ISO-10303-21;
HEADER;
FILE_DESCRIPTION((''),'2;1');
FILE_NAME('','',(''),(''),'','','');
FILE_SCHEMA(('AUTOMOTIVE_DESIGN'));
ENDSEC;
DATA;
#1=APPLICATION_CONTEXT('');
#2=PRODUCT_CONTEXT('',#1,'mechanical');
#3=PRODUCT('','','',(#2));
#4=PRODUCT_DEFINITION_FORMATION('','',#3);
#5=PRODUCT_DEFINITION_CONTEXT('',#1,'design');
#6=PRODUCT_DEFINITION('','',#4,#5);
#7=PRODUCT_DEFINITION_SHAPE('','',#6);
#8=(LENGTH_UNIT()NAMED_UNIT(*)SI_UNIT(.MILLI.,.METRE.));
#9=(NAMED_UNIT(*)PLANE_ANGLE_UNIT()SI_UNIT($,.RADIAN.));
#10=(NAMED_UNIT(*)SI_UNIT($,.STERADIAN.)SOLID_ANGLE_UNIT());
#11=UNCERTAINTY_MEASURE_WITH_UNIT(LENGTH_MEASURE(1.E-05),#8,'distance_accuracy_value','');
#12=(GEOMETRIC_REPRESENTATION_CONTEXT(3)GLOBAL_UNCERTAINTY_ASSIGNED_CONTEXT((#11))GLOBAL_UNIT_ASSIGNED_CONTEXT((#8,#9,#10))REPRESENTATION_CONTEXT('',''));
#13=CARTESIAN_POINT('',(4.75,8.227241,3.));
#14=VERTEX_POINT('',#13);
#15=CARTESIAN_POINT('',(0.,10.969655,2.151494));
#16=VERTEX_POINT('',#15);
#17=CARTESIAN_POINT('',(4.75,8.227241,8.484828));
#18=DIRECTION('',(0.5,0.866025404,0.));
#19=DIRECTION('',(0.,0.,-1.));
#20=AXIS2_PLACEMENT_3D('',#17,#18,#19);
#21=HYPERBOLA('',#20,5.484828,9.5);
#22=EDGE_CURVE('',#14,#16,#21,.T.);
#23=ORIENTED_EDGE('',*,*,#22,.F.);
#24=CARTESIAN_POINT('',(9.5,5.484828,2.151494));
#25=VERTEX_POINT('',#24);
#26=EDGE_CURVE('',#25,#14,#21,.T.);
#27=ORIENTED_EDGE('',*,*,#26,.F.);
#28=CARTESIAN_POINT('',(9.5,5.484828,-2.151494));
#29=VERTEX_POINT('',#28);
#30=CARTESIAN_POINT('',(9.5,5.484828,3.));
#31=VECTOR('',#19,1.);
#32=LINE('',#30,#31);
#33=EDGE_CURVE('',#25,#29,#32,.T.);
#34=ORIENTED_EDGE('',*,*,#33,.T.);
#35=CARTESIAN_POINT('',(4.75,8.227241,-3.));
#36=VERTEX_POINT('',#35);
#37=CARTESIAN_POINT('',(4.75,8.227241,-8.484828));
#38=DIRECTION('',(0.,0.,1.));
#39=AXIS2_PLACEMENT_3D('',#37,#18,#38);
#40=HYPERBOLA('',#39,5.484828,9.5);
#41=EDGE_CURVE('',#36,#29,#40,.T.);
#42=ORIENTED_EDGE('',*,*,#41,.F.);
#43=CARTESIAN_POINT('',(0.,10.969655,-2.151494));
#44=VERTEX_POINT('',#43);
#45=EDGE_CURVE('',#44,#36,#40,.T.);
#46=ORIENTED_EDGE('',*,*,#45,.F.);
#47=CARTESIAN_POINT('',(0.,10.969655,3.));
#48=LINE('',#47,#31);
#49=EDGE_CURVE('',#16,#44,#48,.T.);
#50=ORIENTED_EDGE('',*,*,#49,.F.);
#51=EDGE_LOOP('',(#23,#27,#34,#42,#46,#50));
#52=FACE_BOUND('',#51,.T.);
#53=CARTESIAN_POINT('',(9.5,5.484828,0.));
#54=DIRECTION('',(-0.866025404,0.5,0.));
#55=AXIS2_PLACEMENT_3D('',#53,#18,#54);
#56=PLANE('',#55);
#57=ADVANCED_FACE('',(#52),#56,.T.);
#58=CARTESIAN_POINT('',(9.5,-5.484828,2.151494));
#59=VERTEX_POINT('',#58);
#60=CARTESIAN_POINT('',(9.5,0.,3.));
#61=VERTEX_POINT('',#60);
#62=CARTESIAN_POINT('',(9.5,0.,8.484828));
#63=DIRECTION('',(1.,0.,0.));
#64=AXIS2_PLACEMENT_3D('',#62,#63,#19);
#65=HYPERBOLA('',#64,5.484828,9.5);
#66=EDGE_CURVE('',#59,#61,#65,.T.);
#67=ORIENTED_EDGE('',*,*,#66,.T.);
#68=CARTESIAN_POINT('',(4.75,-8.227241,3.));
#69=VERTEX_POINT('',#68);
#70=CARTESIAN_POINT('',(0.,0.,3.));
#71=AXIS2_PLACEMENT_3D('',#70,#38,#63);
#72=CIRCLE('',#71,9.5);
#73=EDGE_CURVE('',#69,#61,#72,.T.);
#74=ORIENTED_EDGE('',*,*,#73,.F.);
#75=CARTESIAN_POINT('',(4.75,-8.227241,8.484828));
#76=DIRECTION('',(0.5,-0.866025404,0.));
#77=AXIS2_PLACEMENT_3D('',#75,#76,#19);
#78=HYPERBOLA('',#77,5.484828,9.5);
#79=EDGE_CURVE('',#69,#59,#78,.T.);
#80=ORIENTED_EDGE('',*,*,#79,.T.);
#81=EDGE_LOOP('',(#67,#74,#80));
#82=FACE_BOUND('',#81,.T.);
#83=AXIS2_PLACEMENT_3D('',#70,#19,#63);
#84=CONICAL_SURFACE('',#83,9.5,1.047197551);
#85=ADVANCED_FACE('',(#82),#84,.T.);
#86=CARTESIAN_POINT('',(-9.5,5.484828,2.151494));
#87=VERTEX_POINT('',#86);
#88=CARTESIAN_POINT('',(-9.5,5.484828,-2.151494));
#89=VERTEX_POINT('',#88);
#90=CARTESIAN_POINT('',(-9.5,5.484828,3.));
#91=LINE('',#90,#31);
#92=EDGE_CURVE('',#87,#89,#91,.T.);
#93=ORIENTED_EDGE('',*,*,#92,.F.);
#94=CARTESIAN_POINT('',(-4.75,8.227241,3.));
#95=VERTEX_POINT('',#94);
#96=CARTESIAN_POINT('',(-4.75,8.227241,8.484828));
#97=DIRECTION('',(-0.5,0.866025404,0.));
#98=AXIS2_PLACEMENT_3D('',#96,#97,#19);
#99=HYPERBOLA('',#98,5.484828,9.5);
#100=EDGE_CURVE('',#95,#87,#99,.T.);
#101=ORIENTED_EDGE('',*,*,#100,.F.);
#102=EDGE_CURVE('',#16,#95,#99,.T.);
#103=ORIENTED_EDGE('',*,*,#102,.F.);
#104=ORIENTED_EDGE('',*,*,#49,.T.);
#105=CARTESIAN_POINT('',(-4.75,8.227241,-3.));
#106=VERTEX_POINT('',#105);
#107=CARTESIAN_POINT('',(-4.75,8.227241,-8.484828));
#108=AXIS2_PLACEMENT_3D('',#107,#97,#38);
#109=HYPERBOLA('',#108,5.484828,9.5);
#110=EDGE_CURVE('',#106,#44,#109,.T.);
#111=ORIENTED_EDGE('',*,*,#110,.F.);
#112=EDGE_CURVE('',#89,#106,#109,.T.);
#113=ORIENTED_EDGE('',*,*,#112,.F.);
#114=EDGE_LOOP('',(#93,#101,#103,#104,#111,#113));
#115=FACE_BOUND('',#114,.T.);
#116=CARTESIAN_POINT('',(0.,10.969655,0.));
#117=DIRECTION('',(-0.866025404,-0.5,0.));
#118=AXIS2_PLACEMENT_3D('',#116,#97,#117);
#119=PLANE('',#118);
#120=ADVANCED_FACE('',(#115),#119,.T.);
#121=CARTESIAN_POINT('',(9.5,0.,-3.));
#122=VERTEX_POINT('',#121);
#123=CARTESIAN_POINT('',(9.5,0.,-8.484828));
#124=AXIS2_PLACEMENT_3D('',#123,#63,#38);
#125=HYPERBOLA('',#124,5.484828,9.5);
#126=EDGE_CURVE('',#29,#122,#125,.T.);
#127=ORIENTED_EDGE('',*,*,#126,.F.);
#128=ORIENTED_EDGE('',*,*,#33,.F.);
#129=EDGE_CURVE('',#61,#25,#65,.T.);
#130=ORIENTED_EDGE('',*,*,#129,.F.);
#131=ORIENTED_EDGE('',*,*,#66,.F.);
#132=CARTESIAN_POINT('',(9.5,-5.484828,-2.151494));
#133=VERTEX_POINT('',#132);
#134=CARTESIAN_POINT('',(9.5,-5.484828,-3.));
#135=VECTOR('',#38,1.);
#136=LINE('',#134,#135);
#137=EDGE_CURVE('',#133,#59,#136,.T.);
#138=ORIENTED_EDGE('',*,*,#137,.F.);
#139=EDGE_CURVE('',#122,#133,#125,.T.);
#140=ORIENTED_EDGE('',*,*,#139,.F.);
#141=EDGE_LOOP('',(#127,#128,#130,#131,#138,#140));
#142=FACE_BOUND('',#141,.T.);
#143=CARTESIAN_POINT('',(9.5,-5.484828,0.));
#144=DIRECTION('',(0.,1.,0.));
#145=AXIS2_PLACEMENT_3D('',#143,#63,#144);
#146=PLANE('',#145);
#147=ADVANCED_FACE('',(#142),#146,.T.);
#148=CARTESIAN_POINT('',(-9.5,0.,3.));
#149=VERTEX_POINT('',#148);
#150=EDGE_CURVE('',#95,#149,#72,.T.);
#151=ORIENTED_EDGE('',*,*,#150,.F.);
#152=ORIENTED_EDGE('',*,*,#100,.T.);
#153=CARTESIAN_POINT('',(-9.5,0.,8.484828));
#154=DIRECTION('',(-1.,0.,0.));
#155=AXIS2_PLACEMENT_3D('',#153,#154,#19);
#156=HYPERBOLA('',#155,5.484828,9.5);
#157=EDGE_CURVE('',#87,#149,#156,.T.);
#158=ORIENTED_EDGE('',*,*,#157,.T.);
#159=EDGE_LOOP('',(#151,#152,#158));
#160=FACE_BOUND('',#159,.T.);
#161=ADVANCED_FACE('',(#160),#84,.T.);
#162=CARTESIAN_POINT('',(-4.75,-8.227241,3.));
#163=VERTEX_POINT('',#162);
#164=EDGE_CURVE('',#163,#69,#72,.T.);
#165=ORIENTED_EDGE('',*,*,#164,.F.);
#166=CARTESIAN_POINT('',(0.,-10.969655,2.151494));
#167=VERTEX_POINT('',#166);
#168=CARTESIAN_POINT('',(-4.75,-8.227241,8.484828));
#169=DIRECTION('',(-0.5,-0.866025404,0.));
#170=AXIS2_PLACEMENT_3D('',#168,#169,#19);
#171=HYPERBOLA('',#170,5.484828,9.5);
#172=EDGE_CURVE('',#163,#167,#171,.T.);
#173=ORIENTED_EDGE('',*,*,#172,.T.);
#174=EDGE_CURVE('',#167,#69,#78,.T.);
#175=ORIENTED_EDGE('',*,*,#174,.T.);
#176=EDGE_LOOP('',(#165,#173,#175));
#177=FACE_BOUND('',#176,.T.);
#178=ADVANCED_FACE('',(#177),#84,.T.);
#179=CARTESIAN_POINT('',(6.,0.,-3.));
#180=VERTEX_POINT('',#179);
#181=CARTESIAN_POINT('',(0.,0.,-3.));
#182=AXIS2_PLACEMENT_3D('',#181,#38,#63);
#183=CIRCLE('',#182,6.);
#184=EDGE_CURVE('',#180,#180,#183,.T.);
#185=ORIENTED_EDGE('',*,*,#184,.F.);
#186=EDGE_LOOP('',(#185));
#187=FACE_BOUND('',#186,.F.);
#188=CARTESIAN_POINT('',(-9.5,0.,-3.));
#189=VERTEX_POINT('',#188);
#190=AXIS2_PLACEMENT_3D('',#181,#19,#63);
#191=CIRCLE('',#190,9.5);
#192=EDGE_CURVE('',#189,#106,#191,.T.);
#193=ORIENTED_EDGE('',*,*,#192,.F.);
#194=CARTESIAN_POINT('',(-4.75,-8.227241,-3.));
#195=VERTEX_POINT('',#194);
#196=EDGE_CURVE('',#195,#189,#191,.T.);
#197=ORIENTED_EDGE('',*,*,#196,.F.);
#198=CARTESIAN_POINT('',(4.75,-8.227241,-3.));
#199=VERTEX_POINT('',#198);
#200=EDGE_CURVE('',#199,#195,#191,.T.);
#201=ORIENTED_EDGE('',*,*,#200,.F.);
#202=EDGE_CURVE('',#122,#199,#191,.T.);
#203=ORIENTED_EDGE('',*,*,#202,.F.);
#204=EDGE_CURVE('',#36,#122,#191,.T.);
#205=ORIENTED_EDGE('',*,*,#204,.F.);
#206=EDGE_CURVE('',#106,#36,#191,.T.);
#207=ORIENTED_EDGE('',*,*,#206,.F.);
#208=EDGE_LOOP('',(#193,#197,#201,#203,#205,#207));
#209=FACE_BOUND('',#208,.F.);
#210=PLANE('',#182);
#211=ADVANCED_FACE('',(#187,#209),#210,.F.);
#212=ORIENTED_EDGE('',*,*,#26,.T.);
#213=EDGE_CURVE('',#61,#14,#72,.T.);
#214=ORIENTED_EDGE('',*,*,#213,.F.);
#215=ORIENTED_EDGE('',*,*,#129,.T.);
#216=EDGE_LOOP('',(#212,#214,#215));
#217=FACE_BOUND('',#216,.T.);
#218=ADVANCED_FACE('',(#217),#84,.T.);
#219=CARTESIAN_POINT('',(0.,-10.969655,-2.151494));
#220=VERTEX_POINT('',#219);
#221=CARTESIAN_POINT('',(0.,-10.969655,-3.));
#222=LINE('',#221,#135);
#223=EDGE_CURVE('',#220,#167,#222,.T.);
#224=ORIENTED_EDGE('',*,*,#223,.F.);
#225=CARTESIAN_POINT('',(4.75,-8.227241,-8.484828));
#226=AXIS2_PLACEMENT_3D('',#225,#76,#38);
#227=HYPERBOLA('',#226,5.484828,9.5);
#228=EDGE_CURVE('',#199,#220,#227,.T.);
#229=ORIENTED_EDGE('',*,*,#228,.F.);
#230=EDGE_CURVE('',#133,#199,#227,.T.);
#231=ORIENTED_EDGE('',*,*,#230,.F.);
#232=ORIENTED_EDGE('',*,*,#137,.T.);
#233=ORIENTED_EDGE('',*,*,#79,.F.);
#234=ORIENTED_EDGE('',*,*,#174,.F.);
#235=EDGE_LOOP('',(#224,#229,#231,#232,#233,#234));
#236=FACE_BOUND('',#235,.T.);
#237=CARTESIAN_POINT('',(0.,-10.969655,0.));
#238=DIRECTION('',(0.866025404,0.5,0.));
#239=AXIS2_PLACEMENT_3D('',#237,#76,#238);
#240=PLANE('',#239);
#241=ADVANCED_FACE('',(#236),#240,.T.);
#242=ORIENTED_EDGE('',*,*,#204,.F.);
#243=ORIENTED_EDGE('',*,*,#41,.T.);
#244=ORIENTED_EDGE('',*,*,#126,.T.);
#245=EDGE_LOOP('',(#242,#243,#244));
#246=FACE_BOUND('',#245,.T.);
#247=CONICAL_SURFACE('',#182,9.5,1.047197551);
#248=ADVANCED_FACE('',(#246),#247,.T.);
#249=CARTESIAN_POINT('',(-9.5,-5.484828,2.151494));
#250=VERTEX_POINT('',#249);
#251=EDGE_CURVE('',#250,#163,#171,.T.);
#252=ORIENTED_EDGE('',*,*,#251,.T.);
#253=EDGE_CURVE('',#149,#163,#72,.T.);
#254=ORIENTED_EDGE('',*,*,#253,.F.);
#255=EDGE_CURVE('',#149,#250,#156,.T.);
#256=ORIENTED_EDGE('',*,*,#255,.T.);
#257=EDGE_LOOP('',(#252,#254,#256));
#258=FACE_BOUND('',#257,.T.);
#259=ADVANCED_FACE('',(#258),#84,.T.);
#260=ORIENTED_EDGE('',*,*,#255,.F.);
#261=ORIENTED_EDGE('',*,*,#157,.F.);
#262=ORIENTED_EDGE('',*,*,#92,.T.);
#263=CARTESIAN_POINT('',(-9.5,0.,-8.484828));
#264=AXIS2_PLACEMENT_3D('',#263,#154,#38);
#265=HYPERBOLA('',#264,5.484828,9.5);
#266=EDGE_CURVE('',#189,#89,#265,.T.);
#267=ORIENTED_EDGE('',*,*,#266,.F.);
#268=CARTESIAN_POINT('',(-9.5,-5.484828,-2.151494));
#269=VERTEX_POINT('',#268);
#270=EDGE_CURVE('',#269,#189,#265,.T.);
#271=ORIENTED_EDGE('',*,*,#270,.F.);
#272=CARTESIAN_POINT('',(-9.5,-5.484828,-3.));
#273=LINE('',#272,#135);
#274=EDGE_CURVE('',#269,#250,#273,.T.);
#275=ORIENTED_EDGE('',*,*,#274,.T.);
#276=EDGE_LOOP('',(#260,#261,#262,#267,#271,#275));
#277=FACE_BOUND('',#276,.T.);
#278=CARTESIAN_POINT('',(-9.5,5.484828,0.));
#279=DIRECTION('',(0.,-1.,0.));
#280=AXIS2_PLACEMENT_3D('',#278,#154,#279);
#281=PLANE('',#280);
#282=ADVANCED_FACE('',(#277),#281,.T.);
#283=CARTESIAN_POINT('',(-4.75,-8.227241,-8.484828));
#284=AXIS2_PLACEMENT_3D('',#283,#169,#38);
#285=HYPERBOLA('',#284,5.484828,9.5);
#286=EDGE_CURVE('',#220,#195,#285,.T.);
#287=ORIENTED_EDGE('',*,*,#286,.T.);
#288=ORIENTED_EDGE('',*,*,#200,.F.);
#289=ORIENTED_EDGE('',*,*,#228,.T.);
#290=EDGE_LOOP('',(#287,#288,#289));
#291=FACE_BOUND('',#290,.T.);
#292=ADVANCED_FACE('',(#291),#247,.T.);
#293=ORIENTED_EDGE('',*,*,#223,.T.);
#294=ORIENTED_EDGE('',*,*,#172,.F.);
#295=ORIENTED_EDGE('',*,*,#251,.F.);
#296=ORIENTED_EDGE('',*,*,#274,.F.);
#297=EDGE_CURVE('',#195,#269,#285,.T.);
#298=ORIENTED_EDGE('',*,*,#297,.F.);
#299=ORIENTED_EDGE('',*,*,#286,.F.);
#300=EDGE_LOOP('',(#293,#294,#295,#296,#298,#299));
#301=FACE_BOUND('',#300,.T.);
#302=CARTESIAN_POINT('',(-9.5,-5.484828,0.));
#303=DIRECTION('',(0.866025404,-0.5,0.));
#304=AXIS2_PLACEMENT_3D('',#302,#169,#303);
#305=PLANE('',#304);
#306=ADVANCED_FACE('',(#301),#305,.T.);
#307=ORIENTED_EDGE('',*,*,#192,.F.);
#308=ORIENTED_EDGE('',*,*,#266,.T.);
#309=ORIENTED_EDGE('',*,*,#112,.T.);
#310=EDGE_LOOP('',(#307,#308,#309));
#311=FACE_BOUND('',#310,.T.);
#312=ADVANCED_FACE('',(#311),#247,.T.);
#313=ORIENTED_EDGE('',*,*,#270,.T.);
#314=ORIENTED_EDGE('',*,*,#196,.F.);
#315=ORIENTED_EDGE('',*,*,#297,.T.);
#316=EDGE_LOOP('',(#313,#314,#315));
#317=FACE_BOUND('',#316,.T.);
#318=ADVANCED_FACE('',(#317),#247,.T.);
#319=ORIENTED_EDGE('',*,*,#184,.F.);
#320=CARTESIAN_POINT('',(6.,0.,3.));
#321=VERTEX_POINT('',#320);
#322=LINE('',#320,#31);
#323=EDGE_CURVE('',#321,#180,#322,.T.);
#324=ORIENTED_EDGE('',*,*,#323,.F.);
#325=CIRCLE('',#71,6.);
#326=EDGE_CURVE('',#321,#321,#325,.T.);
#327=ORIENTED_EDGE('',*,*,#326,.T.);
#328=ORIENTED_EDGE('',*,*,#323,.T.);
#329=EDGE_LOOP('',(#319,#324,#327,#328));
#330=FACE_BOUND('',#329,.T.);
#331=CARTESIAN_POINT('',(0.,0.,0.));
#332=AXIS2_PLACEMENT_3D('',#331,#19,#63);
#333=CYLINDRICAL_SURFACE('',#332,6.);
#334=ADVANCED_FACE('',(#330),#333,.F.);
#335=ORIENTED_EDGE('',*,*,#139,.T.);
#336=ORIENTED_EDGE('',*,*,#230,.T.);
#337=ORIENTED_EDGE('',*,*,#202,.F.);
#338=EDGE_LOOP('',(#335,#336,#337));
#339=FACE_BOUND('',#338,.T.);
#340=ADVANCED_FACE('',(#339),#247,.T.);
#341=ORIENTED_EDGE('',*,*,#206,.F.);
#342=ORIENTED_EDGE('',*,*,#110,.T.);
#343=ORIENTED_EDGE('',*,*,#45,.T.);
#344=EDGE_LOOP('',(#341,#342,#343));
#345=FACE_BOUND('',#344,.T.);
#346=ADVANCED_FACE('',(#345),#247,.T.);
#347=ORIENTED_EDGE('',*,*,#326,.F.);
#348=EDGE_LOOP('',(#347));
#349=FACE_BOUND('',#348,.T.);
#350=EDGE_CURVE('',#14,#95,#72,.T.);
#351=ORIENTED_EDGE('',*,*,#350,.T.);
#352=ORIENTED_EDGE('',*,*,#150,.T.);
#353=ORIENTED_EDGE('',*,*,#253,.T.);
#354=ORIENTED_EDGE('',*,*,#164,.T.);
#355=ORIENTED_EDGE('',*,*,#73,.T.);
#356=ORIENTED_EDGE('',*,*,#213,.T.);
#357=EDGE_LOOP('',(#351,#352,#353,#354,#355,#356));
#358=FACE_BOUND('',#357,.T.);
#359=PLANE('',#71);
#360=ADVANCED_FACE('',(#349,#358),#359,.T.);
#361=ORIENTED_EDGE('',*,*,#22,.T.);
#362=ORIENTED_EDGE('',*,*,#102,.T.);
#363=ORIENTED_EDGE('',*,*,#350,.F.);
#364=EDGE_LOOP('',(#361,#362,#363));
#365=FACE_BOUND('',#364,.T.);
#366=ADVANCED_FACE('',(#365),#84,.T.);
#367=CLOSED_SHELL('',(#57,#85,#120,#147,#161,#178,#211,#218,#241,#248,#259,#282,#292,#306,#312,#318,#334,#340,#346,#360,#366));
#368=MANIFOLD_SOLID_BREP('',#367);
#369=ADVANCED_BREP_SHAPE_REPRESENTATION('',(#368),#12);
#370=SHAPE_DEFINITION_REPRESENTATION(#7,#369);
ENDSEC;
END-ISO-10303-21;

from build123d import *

# Parameters (mm, degrees)
SZKIC1_R                    = 6
DODANIE_WYCI_GNI_CIE1_DEPTH = 3
SZKIC2_OUTSIDE_W            = 47.712
SZKIC2_OUTSIDE_H            = 50.652
SZKIC2_OUTSIDE_R            = 9.5
WYTNIJ_WYCI_GNI_CIE2_DEPTH  = 6
WYTNIJ_WYCI_GNI_CIE2_DRAFT  = -60
LUSTRO1_COPY_1_SKETCH_W     = 47.712
LUSTRO1_COPY_1_SKETCH_H     = 50.652
LUSTRO1_COPY_1_SKETCH_R     = 9.5
LUSTRO1_COPY_1_DEPTH        = 6
LUSTRO1_COPY_1_DRAFT        = -60


with BuildPart() as part:
    # Szkic1 → Dodanie-wyciągnięcie1 (new, symmetric)
    with BuildSketch(Plane.XY):
        Polygon((-9.5, 5.484827557), (-9.5, -5.484827557), (0, -10.969655115), (9.5, -5.484827557), (9.5, 5.484827557), (0, 10.969655115), align=None)
        Circle(SZKIC1_R, mode=Mode.SUBTRACT)
    extrude(amount=DODANIE_WYCI_GNI_CIE1_DEPTH, both=True)


with BuildPart() as wytnij_wyci_gni_cie2_tool:
    # Szkic2 outside → Wytnij-wyciągnięcie2 (with draft: the straight prism first)
    with BuildSketch(Plane.XY.offset(3)):
        Rectangle(SZKIC2_OUTSIDE_W, SZKIC2_OUTSIDE_H)
        Circle(SZKIC2_OUTSIDE_R, mode=Mode.SUBTRACT)
    extrude(amount=-WYTNIJ_WYCI_GNI_CIE2_DEPTH)
    # Wytnij-wyciągnięcie2: the draft: its side faces are tilted about the plane it starts from
    wytnij_wyci_gni_cie2_sides = [wytnij_wyci_gni_cie2_tool.faces().sort_by_distance(p)[0] for p in [
        (0, -25.326, 0),
        (23.856, 0, 0),
        (0, 25.326, 0),
        (-23.856, 0, 0),
        (-9.5, 0, 0),
    ]]
    draft(wytnij_wyci_gni_cie2_sides, Plane.XY.offset(3), WYTNIJ_WYCI_GNI_CIE2_DRAFT)


with BuildPart() as part_1:
    add(part.part)

    # Wytnij-wyciągnięcie2: cut by wytnij_wyci_gni_cie2_tool
    add(wytnij_wyci_gni_cie2_tool.part, mode=Mode.SUBTRACT)


with BuildPart() as lustro1_copy_1_tool:
    # Lustro1 copy 1 sketch → Lustro1 copy 1 (with draft: the straight prism first)
    with BuildSketch(Plane(origin=(0, 0, -3), x_dir=(1, 0, 0), z_dir=(0, 0, -1))):
        Rectangle(LUSTRO1_COPY_1_SKETCH_W, LUSTRO1_COPY_1_SKETCH_H)
        Circle(LUSTRO1_COPY_1_SKETCH_R, mode=Mode.SUBTRACT)
    extrude(amount=-LUSTRO1_COPY_1_DEPTH)
    # Lustro1 copy 1: the draft: its side faces are tilted about the plane it starts from
    lustro1_copy_1_sides = [lustro1_copy_1_tool.faces().sort_by_distance(p)[0] for p in [
        (0, -25.326, 0),
        (23.856, 0, 0),
        (0, 25.326, 0),
        (-23.856, 0, 0),
        (-9.5, 0, 0),
    ]]
    draft(lustro1_copy_1_sides, Plane(origin=(0, 0, -3), x_dir=(1, 0, 0), z_dir=(0, 0, -1)), LUSTRO1_COPY_1_DRAFT)


with BuildPart() as part_2:
    add(part_1.part)

    # Lustro1 copy 1: cut by lustro1_copy_1_tool
    add(lustro1_copy_1_tool.part, mode=Mode.SUBTRACT)


solid = part_2.part
